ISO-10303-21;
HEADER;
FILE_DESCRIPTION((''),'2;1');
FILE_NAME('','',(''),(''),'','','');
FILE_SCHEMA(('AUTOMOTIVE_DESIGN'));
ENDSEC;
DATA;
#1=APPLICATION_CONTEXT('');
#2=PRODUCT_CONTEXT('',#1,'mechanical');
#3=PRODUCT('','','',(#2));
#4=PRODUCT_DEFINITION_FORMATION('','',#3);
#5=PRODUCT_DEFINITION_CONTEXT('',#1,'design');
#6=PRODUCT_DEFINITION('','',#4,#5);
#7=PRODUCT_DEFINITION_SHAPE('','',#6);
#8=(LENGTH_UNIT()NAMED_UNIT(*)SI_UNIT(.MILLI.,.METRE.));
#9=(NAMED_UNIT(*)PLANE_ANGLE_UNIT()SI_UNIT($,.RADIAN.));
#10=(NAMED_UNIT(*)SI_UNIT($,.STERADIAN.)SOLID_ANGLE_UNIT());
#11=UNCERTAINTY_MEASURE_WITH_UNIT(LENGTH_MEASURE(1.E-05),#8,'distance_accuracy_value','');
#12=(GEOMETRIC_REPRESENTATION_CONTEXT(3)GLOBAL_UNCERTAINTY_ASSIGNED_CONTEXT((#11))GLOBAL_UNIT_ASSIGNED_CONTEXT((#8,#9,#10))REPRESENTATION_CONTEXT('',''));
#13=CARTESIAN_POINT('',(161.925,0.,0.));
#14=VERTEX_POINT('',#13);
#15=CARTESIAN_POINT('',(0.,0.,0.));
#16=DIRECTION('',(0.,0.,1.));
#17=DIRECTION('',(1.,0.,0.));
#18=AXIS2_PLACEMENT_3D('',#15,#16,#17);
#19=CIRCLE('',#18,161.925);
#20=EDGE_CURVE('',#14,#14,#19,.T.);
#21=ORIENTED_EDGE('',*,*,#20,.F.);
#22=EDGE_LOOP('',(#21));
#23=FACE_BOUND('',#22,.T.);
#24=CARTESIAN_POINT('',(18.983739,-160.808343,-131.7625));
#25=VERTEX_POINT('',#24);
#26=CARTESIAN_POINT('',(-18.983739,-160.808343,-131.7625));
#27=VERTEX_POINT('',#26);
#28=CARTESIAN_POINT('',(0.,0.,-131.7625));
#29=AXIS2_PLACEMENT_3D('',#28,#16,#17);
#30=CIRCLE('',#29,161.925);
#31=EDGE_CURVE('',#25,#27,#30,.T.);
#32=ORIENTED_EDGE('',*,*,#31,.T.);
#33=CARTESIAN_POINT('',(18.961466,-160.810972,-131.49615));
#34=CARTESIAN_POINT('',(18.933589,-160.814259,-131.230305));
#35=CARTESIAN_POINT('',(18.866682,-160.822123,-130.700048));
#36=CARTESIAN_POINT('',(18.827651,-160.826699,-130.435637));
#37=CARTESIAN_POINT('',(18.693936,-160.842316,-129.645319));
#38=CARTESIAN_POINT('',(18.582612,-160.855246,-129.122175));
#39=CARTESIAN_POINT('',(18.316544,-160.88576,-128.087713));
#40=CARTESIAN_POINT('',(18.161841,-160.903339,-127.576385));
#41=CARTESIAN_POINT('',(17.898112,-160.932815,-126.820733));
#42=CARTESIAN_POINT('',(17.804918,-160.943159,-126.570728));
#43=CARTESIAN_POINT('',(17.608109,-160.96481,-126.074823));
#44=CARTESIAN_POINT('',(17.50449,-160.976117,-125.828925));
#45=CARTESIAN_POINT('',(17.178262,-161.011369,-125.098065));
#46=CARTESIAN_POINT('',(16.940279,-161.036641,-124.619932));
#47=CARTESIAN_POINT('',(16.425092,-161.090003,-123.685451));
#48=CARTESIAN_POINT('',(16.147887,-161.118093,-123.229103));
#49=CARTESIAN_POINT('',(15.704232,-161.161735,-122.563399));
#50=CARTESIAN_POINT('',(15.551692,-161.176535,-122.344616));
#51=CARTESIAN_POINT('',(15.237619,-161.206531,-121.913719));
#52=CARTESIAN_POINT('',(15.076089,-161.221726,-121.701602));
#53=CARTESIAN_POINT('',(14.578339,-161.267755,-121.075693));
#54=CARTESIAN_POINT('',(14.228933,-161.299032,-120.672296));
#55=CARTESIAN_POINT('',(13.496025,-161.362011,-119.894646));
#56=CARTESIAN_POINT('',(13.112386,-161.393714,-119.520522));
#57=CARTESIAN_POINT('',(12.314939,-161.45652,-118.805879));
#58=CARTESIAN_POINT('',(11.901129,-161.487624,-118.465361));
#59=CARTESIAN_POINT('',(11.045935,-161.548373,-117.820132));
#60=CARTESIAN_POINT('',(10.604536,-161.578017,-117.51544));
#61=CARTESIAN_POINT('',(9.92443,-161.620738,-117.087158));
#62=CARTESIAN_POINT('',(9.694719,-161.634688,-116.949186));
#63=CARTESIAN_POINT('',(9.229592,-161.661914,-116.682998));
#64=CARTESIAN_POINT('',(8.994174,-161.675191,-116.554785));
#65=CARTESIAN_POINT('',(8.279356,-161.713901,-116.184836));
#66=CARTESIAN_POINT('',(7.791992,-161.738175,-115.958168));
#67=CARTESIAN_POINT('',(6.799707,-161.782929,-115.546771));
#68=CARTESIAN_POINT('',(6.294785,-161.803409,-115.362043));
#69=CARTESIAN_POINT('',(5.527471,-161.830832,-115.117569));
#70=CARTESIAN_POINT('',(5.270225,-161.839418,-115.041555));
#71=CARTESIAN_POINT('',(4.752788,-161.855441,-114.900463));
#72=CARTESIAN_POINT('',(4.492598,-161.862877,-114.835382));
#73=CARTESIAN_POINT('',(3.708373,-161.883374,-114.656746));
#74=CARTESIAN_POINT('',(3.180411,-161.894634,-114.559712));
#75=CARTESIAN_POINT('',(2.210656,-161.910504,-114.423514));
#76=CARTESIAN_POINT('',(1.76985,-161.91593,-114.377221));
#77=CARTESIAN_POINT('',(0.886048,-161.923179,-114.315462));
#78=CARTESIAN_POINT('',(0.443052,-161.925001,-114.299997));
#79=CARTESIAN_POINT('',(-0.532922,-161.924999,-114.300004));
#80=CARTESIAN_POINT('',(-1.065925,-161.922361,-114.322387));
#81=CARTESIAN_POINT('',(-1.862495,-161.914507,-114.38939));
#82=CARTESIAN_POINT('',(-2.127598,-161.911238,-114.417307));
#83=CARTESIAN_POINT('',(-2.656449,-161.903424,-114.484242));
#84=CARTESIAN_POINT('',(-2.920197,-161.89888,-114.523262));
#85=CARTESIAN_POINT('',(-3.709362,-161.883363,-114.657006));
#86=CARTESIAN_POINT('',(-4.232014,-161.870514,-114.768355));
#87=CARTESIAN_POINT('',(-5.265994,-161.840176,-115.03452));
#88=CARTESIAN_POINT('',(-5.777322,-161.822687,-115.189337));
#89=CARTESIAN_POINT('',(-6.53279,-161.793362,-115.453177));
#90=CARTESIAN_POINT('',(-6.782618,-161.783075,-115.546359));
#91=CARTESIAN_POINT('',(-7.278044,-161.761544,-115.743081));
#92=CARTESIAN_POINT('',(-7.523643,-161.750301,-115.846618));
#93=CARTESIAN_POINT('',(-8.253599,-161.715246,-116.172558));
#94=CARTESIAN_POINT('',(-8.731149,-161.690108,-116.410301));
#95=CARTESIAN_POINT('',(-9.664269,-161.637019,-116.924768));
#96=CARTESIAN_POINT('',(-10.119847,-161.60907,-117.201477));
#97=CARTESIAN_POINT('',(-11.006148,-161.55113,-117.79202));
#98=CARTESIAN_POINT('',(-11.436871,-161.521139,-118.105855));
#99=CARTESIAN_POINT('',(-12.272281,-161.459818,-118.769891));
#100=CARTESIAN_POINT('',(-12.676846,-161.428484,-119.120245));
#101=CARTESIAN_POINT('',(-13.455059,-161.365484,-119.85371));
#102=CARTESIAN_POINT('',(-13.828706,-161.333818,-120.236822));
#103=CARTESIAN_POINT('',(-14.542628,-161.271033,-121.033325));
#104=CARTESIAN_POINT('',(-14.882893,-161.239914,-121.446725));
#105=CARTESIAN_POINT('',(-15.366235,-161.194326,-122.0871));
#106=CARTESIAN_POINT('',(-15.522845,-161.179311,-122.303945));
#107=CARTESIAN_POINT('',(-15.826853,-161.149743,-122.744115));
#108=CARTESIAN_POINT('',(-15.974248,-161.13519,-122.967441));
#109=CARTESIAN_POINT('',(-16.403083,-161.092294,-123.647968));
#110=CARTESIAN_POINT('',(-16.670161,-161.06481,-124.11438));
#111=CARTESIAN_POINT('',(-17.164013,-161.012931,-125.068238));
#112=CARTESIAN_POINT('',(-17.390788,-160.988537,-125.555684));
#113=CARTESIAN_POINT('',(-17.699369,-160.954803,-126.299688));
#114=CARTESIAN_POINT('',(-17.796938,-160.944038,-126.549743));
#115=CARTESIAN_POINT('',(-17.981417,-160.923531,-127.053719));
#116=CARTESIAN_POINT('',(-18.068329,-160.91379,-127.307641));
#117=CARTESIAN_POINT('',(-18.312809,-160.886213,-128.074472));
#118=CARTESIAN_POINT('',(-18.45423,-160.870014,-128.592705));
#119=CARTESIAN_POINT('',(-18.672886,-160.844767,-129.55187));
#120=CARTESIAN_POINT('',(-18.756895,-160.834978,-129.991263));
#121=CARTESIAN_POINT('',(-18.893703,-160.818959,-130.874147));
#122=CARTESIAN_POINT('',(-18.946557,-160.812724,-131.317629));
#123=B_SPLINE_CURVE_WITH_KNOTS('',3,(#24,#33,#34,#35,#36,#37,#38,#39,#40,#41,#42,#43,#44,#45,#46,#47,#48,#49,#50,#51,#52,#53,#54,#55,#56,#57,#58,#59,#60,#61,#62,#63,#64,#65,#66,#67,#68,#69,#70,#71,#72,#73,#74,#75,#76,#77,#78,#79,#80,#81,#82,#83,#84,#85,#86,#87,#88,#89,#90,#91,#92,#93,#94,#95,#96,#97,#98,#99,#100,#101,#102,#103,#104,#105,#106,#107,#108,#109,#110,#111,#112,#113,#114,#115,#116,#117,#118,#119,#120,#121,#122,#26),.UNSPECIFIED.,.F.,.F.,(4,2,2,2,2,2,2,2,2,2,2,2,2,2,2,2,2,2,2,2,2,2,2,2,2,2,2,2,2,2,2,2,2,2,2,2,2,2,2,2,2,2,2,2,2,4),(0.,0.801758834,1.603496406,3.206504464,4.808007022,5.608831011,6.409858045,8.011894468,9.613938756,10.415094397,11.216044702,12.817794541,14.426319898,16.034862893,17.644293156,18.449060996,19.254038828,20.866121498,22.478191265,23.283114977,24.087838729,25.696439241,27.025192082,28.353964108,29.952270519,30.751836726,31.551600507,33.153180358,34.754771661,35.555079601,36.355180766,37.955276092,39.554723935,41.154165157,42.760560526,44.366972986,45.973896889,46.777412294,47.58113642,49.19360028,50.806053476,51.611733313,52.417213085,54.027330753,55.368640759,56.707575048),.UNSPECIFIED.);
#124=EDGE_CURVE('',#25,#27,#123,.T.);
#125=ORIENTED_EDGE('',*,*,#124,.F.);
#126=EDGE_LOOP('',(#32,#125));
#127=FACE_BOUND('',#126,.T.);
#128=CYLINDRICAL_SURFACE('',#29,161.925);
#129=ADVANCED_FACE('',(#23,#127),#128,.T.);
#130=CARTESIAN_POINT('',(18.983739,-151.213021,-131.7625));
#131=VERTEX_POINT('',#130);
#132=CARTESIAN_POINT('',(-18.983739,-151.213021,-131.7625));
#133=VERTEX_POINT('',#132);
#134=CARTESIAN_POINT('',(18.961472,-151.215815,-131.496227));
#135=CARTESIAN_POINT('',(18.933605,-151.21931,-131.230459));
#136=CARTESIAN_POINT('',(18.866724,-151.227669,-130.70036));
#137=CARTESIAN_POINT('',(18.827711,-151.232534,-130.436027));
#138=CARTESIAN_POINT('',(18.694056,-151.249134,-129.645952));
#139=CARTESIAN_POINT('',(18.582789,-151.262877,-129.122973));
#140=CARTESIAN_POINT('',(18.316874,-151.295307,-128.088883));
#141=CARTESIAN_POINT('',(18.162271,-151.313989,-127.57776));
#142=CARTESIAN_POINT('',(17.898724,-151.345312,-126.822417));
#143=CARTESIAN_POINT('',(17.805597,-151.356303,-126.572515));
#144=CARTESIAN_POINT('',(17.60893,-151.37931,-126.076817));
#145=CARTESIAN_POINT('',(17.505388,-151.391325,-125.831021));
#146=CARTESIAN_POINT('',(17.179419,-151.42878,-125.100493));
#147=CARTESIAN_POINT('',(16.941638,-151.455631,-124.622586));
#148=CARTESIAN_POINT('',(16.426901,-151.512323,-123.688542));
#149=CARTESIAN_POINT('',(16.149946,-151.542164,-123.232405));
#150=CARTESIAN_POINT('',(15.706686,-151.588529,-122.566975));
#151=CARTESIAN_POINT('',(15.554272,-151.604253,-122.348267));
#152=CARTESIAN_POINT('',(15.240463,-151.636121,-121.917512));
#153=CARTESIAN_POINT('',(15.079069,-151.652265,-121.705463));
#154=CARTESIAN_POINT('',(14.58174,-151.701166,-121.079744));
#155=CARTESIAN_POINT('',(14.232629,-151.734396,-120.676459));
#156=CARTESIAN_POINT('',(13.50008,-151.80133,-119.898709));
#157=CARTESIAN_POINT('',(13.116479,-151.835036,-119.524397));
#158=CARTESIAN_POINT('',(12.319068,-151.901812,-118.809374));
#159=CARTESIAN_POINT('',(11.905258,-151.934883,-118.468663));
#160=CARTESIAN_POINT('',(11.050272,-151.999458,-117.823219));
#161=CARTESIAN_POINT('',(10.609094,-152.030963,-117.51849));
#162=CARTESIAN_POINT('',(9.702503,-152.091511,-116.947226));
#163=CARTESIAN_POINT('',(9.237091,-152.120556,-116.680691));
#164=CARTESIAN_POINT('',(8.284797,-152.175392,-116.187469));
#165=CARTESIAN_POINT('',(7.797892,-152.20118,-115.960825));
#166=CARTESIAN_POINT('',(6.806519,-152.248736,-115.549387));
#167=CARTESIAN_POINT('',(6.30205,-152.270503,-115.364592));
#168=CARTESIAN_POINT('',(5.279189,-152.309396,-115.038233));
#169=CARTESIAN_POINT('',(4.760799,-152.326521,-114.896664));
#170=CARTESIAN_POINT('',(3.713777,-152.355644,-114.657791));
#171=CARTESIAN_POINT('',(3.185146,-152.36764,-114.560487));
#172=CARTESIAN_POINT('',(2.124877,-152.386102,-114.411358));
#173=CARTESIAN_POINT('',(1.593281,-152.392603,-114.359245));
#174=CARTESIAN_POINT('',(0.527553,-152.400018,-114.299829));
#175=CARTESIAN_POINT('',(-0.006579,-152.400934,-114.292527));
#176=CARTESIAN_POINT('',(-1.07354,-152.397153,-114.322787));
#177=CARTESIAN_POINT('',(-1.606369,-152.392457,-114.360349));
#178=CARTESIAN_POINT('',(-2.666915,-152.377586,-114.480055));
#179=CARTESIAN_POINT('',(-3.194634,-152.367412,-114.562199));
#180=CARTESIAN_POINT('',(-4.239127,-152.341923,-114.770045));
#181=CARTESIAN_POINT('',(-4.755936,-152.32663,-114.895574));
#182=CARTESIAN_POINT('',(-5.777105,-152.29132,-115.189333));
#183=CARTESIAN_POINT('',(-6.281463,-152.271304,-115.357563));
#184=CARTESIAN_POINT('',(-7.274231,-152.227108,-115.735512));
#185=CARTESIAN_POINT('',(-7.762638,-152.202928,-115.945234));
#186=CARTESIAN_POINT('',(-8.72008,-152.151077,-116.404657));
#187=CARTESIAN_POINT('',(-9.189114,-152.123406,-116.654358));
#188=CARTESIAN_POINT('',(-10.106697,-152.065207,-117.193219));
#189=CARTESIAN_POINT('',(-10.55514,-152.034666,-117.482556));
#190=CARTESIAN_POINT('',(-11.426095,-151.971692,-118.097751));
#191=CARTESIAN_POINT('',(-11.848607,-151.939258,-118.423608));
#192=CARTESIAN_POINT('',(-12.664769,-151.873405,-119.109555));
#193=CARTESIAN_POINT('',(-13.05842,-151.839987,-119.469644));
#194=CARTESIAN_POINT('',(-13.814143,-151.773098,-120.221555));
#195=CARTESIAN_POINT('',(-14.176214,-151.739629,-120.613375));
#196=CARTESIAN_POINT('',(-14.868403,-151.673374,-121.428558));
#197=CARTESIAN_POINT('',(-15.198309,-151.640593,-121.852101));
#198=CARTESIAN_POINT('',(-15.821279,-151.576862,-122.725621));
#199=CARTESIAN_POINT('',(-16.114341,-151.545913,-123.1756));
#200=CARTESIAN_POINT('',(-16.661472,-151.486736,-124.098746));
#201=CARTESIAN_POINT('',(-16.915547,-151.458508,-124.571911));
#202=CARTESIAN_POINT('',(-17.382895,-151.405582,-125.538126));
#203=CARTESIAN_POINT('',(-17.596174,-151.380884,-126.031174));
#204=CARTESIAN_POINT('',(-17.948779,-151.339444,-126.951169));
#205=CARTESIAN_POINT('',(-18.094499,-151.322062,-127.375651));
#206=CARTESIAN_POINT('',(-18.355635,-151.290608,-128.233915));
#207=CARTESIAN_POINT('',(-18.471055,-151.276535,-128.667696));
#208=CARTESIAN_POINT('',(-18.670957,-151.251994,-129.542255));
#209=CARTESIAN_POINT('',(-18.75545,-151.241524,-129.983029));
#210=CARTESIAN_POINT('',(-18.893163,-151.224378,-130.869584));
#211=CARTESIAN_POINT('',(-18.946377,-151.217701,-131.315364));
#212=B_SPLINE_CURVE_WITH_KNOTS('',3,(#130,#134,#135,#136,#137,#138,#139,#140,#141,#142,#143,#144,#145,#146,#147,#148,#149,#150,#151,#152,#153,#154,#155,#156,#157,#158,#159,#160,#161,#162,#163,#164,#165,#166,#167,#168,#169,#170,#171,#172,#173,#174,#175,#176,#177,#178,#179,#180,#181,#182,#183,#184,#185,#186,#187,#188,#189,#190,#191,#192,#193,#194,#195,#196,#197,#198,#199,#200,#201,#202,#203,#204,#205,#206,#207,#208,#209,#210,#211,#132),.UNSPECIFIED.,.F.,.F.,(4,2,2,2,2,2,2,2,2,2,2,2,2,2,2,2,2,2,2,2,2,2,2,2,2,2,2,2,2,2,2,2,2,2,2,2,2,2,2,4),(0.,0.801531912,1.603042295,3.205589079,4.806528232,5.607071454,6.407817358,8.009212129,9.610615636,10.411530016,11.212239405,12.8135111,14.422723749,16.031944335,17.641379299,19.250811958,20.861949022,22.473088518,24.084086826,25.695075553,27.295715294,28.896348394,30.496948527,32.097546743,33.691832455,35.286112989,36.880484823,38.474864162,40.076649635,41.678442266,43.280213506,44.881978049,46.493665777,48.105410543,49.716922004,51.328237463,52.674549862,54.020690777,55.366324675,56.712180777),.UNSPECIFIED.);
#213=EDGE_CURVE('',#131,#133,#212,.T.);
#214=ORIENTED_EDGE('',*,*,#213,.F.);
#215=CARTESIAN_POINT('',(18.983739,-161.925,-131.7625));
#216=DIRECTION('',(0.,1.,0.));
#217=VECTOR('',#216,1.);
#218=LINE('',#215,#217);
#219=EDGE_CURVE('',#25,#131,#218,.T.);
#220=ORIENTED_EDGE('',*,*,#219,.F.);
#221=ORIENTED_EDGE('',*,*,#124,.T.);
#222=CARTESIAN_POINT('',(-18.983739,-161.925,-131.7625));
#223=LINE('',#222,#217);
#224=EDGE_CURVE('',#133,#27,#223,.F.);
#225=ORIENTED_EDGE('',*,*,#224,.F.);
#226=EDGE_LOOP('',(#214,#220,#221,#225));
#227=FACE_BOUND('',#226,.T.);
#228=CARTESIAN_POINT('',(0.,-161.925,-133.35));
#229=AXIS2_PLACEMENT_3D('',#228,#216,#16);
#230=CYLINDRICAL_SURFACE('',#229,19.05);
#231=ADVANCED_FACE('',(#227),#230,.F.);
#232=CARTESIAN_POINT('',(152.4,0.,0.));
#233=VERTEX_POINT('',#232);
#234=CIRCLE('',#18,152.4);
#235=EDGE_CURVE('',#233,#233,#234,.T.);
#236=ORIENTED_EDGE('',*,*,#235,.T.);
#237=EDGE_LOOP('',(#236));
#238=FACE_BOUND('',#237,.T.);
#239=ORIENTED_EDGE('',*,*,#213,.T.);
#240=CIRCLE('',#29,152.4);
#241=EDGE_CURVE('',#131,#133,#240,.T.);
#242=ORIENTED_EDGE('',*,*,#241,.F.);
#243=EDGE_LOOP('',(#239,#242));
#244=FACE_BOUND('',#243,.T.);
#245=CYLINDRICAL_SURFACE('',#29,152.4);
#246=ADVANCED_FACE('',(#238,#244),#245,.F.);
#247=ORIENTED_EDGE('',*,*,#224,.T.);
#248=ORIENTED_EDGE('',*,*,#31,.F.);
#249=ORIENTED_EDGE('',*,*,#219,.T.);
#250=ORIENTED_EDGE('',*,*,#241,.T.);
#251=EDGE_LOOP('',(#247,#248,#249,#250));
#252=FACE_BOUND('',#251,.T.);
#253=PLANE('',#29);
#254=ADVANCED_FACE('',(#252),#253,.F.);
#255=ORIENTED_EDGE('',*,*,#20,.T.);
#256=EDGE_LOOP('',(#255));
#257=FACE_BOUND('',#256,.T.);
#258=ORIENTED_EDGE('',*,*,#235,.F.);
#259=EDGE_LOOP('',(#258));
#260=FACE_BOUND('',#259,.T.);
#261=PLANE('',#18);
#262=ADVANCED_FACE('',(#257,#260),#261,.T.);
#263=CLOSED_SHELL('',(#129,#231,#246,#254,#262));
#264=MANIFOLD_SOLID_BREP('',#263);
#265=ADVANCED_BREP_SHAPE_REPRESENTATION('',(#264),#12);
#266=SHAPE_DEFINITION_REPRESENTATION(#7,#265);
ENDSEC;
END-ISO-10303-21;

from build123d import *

# Parameters (mm, degrees)
SKETCH1_R          = 161.925
SKETCH1_R_2        = 152.4
BASE_EXTRUDE_DEPTH = 131.7625
SKETCH3_R          = 19.05
CUT_EXTRUDE1_DEPTH = 265.198349079


with BuildPart() as part:
    # Sketch1 → Base-Extrude (new body)
    with BuildSketch(Plane.XY):
        Circle(SKETCH1_R)
        Circle(SKETCH1_R_2, mode=Mode.SUBTRACT)
    extrude(amount=-BASE_EXTRUDE_DEPTH)

    # Sketch3 → Cut-Extrude1 (cut, through all)
    with BuildSketch(Plane(origin=(0, 0, 0), x_dir=(1, 0, 0), z_dir=(0, 1, 0))):
        with Locations((0, 133.35)):
            Circle(SKETCH3_R)
    extrude(amount=-CUT_EXTRUDE1_DEPTH, mode=Mode.SUBTRACT)


solid = part.part
